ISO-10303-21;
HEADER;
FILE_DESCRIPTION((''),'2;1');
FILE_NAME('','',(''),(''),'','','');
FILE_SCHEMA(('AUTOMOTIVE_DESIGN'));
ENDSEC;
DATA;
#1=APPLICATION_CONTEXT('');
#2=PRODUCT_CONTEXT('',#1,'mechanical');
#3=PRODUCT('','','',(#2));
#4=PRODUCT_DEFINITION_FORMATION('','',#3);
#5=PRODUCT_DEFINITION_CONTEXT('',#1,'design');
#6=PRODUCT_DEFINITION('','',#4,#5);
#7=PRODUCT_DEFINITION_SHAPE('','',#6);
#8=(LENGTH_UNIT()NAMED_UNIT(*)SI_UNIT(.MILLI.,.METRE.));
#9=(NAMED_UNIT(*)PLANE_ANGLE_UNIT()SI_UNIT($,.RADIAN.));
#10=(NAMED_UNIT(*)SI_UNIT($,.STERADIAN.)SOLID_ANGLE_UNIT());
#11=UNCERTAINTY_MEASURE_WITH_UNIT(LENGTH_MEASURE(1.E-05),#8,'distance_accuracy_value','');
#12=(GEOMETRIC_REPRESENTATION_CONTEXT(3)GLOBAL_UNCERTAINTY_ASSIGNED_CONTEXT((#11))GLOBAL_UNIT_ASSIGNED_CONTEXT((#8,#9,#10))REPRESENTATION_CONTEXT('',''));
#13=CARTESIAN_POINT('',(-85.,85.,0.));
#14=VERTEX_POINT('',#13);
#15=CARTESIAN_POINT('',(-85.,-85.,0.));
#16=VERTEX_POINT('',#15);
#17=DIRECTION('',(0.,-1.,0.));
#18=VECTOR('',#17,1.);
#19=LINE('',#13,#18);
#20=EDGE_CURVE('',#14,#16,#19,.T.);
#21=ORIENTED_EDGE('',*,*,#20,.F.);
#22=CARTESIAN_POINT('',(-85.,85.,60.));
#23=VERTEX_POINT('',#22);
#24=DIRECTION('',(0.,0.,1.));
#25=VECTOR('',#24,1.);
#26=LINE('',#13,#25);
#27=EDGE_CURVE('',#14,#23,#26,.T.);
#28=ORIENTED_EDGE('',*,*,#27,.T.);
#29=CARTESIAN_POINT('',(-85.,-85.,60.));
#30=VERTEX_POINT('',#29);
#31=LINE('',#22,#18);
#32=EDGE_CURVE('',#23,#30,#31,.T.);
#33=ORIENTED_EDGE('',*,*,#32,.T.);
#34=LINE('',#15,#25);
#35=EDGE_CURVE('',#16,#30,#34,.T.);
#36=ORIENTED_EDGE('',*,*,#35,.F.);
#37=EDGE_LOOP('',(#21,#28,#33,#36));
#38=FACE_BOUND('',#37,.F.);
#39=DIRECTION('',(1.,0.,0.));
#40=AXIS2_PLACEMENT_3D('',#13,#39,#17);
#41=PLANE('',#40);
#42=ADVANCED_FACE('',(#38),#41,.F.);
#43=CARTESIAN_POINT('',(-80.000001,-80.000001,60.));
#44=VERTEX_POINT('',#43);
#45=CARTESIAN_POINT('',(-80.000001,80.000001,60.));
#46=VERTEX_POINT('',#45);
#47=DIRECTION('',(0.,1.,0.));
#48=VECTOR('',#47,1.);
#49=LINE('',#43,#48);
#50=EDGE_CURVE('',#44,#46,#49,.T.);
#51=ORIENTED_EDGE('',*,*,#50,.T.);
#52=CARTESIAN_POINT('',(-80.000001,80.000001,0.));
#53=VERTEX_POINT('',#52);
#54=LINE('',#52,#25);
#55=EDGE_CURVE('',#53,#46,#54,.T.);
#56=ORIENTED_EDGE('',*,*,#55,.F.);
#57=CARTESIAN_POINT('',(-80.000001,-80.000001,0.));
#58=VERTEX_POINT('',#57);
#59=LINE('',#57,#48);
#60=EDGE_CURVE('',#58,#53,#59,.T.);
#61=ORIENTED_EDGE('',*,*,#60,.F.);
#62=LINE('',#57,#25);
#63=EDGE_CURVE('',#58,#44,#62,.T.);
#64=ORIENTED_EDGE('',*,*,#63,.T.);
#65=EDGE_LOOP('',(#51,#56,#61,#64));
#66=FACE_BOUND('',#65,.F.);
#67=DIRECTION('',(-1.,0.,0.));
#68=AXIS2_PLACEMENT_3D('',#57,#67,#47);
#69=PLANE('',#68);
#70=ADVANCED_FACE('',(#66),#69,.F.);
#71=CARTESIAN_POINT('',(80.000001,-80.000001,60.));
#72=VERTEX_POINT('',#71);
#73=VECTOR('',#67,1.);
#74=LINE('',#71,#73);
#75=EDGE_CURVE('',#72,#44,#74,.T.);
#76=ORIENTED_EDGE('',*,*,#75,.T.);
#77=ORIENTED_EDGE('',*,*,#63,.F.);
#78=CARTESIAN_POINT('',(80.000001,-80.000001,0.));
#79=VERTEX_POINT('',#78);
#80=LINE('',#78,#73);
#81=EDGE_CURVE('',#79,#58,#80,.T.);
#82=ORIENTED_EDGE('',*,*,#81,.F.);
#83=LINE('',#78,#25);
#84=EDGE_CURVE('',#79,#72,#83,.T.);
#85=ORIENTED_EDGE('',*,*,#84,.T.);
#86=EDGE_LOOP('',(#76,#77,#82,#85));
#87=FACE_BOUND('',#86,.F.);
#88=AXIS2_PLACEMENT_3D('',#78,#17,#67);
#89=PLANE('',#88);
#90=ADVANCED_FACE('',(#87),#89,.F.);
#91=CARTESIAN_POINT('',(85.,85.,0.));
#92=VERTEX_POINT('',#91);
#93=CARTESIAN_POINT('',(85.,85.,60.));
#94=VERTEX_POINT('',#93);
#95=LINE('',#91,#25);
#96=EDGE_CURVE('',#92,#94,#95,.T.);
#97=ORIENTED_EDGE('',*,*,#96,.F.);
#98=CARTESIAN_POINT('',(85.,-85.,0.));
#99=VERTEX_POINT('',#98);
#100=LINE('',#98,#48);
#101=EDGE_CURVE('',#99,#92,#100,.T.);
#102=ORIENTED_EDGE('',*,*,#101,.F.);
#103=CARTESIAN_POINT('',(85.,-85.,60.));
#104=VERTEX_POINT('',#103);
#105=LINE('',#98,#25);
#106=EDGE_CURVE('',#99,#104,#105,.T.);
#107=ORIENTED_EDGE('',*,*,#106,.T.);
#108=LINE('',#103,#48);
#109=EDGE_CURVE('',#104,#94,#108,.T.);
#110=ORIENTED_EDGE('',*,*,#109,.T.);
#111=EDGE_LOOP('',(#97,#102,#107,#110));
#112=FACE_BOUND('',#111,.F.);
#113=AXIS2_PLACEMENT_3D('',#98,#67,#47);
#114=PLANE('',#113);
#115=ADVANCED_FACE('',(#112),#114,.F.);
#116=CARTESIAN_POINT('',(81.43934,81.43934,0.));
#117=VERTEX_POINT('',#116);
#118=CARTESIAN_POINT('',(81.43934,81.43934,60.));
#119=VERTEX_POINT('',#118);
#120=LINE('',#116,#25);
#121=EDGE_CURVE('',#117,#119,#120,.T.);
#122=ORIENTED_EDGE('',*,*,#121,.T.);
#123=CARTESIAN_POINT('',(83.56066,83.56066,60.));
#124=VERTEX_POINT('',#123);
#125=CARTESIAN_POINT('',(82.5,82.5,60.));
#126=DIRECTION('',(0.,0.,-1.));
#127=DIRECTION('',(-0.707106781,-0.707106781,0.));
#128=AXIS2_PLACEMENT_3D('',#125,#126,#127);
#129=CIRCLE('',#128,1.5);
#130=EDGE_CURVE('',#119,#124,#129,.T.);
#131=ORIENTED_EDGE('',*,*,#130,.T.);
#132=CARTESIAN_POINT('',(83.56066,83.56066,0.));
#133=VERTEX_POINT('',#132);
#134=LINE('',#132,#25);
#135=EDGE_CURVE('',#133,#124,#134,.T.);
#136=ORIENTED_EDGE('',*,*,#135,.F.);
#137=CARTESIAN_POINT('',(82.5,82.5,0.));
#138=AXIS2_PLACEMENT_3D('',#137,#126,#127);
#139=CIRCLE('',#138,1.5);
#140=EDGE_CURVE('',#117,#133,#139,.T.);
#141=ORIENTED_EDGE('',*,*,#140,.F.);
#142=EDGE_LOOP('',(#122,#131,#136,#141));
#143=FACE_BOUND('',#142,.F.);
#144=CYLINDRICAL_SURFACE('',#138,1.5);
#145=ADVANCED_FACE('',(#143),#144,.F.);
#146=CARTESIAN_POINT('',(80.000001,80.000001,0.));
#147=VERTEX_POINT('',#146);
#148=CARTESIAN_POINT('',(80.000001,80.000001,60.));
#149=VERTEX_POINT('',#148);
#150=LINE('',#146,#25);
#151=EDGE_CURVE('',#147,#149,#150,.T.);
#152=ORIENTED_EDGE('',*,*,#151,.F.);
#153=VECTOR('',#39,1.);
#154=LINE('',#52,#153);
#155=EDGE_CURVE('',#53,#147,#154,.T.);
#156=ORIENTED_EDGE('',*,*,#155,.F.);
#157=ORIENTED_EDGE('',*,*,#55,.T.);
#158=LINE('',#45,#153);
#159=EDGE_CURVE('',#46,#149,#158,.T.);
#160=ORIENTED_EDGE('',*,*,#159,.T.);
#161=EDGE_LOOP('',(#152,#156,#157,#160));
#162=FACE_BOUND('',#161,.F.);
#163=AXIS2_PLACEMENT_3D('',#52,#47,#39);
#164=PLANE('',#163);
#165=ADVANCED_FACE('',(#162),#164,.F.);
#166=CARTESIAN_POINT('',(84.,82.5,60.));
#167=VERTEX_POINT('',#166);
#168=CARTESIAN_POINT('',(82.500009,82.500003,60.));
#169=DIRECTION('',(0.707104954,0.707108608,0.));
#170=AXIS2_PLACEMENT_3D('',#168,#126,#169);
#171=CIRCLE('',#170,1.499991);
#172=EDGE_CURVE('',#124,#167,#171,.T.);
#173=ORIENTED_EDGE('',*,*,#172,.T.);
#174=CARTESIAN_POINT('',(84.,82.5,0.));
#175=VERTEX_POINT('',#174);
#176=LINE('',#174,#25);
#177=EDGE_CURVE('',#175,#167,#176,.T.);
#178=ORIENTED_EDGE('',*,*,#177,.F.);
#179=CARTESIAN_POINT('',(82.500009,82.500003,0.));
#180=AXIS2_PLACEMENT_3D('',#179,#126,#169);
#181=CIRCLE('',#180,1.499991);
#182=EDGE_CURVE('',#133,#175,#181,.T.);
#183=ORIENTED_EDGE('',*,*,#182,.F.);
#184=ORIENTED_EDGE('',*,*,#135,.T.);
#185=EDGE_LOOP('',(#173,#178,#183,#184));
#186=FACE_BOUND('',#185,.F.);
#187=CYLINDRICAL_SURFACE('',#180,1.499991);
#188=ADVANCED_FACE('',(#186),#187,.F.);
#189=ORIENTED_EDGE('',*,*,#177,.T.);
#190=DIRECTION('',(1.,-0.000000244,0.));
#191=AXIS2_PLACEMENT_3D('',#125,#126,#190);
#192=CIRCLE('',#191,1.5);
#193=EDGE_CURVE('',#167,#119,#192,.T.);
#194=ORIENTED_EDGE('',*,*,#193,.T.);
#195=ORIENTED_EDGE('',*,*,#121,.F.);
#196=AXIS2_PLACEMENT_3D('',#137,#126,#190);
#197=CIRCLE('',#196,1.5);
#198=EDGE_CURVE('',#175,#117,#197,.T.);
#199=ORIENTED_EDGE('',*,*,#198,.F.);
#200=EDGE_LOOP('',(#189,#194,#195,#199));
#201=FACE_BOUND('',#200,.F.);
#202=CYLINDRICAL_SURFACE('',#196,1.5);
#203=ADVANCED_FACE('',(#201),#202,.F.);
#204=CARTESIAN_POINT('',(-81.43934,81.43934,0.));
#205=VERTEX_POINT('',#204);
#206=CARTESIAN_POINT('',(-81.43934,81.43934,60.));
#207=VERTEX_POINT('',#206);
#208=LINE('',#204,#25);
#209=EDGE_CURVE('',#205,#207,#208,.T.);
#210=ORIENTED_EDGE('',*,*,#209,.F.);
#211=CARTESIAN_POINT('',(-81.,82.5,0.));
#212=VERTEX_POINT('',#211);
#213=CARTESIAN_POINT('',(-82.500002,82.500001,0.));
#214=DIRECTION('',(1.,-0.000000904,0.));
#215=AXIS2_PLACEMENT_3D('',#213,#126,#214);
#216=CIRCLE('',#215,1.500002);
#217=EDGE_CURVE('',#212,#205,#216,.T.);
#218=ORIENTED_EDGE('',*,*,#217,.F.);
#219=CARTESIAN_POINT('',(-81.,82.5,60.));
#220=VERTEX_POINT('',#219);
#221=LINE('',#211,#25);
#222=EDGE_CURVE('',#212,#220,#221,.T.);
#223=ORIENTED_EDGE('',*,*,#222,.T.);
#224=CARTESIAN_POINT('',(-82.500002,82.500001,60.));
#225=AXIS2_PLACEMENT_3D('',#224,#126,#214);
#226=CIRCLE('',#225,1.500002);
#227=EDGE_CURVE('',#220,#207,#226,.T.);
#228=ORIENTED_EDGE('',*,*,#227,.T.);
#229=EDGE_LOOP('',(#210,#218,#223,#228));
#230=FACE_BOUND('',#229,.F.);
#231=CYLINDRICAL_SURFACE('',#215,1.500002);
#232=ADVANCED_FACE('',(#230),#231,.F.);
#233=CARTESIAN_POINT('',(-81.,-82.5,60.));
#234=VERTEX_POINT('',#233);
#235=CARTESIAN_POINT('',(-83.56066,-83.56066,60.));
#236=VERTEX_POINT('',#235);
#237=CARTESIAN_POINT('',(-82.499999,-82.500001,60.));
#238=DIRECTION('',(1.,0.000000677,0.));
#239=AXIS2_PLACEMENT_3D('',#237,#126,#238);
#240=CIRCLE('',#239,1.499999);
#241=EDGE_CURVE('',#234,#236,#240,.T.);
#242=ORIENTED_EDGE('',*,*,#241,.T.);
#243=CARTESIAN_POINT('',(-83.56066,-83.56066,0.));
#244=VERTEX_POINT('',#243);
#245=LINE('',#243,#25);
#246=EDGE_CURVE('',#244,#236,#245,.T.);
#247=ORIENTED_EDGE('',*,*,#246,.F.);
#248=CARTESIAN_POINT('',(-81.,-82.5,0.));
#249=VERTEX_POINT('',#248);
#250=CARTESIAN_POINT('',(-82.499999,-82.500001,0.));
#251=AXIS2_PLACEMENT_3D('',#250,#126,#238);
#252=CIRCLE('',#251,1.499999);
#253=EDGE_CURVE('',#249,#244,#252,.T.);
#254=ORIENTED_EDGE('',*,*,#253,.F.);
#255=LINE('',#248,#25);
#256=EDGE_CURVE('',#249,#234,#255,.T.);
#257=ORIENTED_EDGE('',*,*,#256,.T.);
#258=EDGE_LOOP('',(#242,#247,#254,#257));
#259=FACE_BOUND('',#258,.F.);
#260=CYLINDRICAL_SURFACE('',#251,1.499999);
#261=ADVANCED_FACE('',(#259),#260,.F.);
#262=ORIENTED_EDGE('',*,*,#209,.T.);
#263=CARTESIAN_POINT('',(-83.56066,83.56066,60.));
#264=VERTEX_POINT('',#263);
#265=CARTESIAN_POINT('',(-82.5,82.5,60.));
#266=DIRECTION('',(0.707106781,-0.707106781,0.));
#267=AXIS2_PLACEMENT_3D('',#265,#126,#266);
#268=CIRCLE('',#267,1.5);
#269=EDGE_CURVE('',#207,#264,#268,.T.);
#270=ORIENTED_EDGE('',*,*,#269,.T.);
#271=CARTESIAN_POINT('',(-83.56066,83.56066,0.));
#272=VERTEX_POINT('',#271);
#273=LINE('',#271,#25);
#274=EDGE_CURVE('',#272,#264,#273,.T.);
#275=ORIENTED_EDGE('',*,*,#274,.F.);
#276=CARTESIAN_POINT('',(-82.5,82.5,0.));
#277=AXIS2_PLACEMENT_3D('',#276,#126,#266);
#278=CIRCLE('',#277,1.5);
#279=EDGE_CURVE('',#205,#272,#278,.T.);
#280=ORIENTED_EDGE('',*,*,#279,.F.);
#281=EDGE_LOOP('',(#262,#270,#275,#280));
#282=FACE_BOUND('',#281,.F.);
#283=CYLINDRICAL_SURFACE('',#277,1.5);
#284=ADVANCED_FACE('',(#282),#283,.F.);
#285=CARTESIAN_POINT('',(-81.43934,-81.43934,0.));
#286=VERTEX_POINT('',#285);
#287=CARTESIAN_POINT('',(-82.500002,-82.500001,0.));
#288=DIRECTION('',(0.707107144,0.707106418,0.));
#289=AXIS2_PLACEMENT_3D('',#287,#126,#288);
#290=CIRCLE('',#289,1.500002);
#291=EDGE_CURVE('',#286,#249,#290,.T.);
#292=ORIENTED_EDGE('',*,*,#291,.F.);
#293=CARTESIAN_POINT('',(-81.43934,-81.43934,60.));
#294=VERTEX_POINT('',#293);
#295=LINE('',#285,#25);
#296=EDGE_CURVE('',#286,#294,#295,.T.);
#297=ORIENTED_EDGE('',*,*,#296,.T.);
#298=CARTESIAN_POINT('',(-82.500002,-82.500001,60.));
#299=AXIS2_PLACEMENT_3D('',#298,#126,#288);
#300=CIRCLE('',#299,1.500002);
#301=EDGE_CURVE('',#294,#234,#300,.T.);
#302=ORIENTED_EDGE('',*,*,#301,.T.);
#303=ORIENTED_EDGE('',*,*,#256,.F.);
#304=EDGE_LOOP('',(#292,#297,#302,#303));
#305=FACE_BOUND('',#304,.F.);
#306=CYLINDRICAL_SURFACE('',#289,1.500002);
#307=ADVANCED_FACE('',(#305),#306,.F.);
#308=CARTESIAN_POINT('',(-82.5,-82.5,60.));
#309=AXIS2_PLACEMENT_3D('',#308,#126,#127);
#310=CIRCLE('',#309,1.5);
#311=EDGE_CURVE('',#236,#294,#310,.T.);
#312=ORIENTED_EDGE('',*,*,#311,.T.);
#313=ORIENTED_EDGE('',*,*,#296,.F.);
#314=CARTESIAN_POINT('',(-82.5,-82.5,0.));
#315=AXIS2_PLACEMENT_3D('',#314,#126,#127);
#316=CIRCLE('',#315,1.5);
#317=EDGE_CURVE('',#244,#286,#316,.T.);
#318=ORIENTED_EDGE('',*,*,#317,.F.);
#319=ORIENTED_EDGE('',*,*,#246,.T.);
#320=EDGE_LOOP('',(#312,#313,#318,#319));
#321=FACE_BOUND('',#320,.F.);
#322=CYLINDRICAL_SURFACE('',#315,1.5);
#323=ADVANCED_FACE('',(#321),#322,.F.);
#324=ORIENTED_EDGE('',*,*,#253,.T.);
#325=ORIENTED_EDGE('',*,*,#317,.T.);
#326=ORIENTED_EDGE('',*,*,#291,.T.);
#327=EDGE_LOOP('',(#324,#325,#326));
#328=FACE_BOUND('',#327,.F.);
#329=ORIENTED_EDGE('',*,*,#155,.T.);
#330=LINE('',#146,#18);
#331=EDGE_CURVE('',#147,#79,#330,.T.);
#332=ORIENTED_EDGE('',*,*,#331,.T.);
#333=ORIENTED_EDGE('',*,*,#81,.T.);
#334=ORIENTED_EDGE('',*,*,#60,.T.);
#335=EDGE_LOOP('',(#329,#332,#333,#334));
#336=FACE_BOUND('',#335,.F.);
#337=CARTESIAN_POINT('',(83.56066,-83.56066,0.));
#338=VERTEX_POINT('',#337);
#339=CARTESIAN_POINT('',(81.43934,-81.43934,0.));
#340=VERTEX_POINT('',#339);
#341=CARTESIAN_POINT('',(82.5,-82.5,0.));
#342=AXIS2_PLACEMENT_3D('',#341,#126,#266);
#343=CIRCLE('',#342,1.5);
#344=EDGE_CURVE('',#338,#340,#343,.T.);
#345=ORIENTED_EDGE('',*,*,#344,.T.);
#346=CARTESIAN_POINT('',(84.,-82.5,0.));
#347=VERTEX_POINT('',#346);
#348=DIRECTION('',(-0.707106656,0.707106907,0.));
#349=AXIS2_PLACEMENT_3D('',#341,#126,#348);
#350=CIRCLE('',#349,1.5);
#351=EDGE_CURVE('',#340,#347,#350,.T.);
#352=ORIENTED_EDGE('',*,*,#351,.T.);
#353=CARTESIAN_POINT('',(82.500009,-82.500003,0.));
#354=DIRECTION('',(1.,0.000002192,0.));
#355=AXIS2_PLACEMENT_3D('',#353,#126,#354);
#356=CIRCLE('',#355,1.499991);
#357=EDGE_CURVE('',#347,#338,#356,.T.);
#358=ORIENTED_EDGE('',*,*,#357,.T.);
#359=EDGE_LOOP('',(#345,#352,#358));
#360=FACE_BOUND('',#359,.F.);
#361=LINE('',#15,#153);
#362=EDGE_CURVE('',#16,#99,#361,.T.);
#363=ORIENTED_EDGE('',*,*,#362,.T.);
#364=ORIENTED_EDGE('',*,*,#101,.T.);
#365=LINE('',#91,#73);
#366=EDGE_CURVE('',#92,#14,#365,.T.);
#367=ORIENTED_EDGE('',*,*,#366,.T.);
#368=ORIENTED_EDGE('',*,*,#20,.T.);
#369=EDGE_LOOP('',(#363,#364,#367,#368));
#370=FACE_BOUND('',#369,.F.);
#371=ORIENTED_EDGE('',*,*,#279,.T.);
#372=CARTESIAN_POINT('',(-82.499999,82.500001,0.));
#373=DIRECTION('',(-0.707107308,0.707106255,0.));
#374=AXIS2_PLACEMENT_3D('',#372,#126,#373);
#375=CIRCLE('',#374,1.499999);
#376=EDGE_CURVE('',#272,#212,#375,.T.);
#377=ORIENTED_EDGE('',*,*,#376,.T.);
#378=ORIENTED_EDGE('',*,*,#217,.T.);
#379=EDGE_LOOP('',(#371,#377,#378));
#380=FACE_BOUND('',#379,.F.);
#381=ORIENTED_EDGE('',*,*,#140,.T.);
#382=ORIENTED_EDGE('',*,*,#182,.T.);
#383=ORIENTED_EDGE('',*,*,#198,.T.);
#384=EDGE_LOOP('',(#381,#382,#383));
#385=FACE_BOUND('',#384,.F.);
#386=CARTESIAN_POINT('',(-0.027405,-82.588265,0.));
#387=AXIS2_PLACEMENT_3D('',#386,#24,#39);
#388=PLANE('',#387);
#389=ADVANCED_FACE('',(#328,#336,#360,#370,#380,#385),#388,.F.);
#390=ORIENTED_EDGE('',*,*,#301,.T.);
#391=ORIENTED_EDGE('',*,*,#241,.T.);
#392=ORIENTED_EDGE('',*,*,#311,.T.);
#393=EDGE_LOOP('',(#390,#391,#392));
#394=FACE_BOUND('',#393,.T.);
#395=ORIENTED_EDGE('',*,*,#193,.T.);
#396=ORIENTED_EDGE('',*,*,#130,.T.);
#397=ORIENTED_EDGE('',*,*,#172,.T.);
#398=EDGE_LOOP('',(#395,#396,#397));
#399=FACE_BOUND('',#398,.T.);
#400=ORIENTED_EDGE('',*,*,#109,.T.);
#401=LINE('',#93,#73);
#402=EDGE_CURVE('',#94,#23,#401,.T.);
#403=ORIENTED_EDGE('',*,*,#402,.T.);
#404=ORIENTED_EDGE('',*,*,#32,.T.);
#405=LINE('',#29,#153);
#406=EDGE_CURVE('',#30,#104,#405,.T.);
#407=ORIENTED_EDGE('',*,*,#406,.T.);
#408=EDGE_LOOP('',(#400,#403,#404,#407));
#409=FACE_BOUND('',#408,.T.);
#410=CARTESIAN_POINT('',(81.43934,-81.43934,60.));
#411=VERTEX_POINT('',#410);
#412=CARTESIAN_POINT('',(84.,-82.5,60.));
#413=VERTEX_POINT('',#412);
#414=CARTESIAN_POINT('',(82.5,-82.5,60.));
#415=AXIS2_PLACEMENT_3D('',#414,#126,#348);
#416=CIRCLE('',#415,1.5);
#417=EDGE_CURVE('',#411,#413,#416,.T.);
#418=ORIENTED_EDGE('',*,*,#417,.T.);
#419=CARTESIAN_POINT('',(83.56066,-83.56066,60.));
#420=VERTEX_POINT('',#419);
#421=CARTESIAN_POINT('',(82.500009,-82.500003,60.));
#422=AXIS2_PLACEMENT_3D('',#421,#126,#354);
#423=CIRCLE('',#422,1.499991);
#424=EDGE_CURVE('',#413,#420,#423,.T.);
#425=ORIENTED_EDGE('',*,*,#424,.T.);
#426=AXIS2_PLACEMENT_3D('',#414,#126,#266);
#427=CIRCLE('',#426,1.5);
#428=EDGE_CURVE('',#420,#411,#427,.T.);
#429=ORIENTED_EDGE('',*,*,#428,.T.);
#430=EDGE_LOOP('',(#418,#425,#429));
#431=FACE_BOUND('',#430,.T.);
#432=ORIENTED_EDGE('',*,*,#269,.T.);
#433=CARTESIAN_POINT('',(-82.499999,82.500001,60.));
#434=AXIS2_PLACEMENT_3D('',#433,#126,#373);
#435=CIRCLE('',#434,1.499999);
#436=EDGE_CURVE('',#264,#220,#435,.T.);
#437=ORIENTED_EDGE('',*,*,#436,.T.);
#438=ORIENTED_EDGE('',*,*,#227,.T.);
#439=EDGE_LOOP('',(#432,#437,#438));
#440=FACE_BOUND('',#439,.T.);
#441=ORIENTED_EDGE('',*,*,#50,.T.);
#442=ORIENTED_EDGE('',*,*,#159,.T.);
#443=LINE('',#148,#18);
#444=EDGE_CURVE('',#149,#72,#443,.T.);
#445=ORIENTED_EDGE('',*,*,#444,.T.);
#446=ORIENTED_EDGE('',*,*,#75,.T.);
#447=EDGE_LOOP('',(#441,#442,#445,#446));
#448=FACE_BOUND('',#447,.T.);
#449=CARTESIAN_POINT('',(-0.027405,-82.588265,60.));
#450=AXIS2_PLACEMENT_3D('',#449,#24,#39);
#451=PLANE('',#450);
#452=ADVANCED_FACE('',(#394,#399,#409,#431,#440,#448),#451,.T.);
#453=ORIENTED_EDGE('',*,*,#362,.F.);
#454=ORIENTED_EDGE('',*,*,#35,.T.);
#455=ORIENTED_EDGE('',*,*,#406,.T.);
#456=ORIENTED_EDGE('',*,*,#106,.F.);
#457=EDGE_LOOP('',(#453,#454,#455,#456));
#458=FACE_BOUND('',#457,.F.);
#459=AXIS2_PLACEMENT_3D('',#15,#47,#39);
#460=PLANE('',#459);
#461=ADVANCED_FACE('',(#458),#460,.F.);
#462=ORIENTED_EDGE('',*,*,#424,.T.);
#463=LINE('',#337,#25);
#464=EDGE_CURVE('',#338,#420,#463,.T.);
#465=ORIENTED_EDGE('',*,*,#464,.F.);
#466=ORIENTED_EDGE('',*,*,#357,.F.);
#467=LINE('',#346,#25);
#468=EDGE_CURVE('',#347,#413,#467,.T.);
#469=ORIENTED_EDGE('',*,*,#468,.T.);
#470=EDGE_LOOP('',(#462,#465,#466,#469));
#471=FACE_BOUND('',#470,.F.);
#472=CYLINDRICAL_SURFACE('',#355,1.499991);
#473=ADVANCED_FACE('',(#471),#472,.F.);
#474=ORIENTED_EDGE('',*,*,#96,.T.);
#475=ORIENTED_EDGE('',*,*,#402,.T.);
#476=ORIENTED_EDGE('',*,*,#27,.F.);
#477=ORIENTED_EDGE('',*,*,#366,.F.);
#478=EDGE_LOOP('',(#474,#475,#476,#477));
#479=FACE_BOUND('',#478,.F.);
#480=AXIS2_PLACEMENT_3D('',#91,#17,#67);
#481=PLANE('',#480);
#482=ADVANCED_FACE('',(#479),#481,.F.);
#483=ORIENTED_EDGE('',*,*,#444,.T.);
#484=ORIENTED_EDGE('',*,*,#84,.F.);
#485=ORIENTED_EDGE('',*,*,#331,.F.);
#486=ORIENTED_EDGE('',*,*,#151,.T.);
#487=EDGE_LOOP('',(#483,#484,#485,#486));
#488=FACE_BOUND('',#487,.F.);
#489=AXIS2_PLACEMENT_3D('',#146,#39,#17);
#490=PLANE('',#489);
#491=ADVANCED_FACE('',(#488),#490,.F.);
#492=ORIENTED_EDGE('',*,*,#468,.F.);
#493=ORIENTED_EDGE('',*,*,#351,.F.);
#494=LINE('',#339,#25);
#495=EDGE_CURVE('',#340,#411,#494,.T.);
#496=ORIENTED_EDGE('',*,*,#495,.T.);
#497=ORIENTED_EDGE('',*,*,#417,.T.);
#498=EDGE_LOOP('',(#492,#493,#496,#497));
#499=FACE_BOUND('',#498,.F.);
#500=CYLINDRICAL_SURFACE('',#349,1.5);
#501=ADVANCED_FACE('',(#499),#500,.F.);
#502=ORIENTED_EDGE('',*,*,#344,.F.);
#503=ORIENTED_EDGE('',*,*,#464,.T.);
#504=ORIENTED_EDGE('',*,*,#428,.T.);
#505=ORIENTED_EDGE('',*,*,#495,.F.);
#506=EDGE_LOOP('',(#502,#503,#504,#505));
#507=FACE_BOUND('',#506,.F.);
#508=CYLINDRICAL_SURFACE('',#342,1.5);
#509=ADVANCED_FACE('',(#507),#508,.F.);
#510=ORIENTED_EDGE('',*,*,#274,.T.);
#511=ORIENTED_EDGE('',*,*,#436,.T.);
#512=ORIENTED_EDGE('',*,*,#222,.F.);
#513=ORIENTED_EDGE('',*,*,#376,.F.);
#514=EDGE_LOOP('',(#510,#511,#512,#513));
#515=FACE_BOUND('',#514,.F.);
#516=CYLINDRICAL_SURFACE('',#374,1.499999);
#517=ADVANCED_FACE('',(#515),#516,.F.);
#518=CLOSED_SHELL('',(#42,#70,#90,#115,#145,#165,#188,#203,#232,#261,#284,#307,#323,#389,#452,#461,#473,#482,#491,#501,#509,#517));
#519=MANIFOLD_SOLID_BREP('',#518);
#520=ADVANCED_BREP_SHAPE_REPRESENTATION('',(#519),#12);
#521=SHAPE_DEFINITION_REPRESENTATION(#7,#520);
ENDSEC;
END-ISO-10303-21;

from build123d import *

# Parameters (mm, degrees)
F1_DEPTH = 60


with BuildPart() as f1:
    # F0 (on Top) → F1 (new body)
    with BuildSketch(Plane.XY):
        with BuildLine():
            Line((-85, -85), (85, -85))
            Line((85, -85), (83.56066, -83.56066))
            ThreePointArc((83.56066, -83.56066), (81.43934, -83.56066), (81.43934, -81.43934))
            Line((81.43934, -81.43934), (80.000001, -80.000001))
            Line((80.000001, -80.000001), (-80.000001, -80.000001))
            Line((-80.000001, -80.000001), (-81.43934, -81.43934))
            ThreePointArc((-81.43934, -81.43934), (-81.114181, -81.925975), (-81, -82.5))
            ThreePointArc((-81, -82.5), (-81.925975, -83.88582), (-83.56066, -83.56066))
            Line((-83.56066, -83.56066), (-85, -85))
        make_face()
        with BuildLine():
            Line((-85, 85), (-85, -85))
            Line((-85, -85), (-83.56066, -83.56066))
            ThreePointArc((-83.56066, -83.56066), (-83.56066, -81.43934), (-81.43934, -81.43934))
            Line((-81.43934, -81.43934), (-80.000001, -80.000001))
            Line((-80.000001, -80.000001), (-80.000001, 80.000001))
            Line((-80.000001, 80.000001), (-81.43934, 81.43934))
            ThreePointArc((-81.43934, 81.43934), (-83.56066, 81.43934), (-83.56066, 83.56066))
            Line((-83.56066, 83.56066), (-85, 85))
        make_face()
        with BuildLine():
            Line((83.56066, -83.56066), (85, -85))
            Line((85, -85), (85, 85))
            Line((85, 85), (83.56066, 83.56066))
            ThreePointArc((83.56066, 83.56066), (83.88582, 83.074025), (84, 82.5))
            ThreePointArc((84, 82.5), (83.074025, 81.114181), (81.43934, 81.43934))
            Line((81.43934, 81.43934), (80.000001, 80.000001))
            Line((80.000001, 80.000001), (80.000001, -80.000001))
            Line((80.000001, -80.000001), (81.43934, -81.43934))
            ThreePointArc((81.43934, -81.43934), (83.074025, -81.114181), (84, -82.5))
            ThreePointArc((84, -82.5), (83.88582, -83.074025), (83.56066, -83.56066))
        make_face()
        with BuildLine():
            Line((83.56066, 83.56066), (85, 85))
            Line((85, 85), (-85, 85))
            Line((-85, 85), (-83.56066, 83.56066))
            ThreePointArc((-83.56066, 83.56066), (-81.925975, 83.88582), (-81, 82.5))
            ThreePointArc((-81, 82.5), (-81.114181, 81.925975), (-81.43934, 81.43934))
            Line((-81.43934, 81.43934), (-80.000001, 80.000001))
            Line((-80.000001, 80.000001), (80.000001, 80.000001))
            Line((80.000001, 80.000001), (81.43934, 81.43934))
            ThreePointArc((81.43934, 81.43934), (81.43934, 83.56066), (83.56066, 83.56066))
        make_face()
    extrude(amount=F1_DEPTH)


solid = f1.part
